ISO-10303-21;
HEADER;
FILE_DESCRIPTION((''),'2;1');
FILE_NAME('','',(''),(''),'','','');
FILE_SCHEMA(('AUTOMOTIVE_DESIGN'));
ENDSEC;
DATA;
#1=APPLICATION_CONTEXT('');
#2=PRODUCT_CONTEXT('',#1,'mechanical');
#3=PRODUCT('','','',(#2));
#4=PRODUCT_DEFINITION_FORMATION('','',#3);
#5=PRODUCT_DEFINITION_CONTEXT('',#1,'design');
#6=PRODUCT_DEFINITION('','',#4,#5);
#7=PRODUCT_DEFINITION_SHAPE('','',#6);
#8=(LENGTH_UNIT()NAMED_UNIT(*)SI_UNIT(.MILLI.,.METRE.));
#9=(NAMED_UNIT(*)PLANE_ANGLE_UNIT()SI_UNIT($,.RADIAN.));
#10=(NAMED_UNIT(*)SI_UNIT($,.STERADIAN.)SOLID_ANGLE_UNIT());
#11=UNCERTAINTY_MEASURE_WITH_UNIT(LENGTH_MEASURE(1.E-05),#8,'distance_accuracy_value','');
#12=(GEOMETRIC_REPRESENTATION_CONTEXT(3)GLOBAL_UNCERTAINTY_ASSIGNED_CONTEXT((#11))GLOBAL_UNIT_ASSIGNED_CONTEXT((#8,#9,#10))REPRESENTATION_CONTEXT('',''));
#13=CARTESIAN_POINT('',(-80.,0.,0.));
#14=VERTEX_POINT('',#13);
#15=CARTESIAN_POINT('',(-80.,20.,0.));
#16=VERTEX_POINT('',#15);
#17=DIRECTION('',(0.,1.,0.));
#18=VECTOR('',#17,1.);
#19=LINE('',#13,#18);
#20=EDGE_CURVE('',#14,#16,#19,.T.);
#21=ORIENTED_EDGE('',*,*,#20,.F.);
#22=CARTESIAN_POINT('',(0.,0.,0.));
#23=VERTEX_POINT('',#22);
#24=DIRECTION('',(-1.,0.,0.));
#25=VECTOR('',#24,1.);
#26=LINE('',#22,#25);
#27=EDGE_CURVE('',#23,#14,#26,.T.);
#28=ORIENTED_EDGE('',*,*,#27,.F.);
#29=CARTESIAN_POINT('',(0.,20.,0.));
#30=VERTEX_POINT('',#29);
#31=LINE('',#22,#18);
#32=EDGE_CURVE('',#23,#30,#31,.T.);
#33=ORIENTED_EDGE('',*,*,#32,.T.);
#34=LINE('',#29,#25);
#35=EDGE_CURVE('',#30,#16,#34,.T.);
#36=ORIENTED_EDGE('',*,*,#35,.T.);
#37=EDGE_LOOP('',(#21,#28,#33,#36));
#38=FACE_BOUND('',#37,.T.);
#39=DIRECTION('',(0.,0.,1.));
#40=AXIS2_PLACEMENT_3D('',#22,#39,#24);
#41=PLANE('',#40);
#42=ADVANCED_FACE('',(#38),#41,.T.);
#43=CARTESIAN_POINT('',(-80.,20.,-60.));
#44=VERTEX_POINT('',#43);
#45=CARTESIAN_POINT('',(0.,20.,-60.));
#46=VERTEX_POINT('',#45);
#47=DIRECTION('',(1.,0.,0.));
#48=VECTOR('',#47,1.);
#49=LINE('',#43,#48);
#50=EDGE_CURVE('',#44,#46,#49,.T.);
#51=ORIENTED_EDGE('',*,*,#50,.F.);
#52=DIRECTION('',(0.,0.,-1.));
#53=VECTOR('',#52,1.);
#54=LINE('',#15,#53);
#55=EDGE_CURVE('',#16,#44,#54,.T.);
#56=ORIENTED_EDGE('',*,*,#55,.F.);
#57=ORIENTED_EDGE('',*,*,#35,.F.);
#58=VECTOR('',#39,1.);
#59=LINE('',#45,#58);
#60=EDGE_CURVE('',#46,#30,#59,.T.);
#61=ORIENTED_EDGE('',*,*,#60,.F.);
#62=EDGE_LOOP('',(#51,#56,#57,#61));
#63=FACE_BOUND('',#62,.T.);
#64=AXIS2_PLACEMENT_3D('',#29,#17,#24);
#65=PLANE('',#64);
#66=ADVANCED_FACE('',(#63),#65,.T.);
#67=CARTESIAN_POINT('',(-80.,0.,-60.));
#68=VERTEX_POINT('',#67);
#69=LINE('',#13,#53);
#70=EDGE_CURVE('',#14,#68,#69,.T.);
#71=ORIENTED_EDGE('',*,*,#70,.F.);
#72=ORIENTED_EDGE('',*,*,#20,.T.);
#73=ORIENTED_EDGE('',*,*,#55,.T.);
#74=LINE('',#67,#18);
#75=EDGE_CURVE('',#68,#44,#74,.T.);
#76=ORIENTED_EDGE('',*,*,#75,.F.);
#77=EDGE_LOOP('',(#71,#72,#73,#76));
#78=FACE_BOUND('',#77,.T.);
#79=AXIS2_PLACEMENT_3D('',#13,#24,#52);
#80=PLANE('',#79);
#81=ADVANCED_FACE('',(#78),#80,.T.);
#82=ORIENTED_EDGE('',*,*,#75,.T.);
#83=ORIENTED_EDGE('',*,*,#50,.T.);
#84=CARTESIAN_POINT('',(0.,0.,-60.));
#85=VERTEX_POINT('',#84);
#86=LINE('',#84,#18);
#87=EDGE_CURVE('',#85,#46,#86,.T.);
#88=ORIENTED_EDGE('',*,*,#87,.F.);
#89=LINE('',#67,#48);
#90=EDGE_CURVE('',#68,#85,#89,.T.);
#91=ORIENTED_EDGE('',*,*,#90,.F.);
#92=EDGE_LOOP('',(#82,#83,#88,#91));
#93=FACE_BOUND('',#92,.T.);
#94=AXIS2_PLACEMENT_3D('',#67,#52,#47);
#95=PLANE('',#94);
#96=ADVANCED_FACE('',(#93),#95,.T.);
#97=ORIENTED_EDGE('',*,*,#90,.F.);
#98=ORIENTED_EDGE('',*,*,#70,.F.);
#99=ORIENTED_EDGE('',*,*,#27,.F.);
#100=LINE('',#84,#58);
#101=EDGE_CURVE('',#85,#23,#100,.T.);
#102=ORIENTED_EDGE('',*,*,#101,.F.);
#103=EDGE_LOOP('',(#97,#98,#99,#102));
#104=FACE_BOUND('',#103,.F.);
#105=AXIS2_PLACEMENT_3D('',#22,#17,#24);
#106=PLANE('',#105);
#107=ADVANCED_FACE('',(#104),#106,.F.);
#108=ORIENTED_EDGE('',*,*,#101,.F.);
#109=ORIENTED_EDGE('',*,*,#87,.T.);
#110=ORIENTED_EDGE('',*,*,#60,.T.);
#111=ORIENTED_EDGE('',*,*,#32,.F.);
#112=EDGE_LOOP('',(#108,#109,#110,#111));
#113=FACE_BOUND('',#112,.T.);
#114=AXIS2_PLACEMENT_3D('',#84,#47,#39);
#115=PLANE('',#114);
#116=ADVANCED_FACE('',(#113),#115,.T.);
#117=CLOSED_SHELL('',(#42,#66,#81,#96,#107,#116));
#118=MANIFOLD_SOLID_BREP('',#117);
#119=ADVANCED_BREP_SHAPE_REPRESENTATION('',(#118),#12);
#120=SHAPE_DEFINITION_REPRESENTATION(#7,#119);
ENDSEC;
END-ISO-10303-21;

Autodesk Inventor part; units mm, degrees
ref_plane "YZ Plane" through (0, 0, 0) normal (1, 0, 0) x (0, 1, 0)
ref_plane "XZ Plane" through (0, 0, 0) normal (0, 1, 0) x (-1, 0, 0)
ref_plane "XY Plane" through (0, 0, 0) normal (0, 0, 1) x (1, 0, 0)
sketch "草圖3" plane through (0, 0, 0) normal (0, 1, 0) x (-1, 0, 0)
  line L0 (0, 0) -> (80, 0)
  line L1 (80, 0) -> (80, -60)
  line L2 (80, -60) -> (0, -60)
  line L3 (0, -60) -> (0, 0)
  dimension "d32" = 60
  dimension "d33" = 80
extrude "擠出4" add sketch "草圖3" along normal blind 20
equation "\"d11\" = 1.6"
equation "\"d12\" = 11.6"
equation "\"d24\" = 1.6"
equation "\"d25\" = 11.6"
properties part number "support_ladder"
